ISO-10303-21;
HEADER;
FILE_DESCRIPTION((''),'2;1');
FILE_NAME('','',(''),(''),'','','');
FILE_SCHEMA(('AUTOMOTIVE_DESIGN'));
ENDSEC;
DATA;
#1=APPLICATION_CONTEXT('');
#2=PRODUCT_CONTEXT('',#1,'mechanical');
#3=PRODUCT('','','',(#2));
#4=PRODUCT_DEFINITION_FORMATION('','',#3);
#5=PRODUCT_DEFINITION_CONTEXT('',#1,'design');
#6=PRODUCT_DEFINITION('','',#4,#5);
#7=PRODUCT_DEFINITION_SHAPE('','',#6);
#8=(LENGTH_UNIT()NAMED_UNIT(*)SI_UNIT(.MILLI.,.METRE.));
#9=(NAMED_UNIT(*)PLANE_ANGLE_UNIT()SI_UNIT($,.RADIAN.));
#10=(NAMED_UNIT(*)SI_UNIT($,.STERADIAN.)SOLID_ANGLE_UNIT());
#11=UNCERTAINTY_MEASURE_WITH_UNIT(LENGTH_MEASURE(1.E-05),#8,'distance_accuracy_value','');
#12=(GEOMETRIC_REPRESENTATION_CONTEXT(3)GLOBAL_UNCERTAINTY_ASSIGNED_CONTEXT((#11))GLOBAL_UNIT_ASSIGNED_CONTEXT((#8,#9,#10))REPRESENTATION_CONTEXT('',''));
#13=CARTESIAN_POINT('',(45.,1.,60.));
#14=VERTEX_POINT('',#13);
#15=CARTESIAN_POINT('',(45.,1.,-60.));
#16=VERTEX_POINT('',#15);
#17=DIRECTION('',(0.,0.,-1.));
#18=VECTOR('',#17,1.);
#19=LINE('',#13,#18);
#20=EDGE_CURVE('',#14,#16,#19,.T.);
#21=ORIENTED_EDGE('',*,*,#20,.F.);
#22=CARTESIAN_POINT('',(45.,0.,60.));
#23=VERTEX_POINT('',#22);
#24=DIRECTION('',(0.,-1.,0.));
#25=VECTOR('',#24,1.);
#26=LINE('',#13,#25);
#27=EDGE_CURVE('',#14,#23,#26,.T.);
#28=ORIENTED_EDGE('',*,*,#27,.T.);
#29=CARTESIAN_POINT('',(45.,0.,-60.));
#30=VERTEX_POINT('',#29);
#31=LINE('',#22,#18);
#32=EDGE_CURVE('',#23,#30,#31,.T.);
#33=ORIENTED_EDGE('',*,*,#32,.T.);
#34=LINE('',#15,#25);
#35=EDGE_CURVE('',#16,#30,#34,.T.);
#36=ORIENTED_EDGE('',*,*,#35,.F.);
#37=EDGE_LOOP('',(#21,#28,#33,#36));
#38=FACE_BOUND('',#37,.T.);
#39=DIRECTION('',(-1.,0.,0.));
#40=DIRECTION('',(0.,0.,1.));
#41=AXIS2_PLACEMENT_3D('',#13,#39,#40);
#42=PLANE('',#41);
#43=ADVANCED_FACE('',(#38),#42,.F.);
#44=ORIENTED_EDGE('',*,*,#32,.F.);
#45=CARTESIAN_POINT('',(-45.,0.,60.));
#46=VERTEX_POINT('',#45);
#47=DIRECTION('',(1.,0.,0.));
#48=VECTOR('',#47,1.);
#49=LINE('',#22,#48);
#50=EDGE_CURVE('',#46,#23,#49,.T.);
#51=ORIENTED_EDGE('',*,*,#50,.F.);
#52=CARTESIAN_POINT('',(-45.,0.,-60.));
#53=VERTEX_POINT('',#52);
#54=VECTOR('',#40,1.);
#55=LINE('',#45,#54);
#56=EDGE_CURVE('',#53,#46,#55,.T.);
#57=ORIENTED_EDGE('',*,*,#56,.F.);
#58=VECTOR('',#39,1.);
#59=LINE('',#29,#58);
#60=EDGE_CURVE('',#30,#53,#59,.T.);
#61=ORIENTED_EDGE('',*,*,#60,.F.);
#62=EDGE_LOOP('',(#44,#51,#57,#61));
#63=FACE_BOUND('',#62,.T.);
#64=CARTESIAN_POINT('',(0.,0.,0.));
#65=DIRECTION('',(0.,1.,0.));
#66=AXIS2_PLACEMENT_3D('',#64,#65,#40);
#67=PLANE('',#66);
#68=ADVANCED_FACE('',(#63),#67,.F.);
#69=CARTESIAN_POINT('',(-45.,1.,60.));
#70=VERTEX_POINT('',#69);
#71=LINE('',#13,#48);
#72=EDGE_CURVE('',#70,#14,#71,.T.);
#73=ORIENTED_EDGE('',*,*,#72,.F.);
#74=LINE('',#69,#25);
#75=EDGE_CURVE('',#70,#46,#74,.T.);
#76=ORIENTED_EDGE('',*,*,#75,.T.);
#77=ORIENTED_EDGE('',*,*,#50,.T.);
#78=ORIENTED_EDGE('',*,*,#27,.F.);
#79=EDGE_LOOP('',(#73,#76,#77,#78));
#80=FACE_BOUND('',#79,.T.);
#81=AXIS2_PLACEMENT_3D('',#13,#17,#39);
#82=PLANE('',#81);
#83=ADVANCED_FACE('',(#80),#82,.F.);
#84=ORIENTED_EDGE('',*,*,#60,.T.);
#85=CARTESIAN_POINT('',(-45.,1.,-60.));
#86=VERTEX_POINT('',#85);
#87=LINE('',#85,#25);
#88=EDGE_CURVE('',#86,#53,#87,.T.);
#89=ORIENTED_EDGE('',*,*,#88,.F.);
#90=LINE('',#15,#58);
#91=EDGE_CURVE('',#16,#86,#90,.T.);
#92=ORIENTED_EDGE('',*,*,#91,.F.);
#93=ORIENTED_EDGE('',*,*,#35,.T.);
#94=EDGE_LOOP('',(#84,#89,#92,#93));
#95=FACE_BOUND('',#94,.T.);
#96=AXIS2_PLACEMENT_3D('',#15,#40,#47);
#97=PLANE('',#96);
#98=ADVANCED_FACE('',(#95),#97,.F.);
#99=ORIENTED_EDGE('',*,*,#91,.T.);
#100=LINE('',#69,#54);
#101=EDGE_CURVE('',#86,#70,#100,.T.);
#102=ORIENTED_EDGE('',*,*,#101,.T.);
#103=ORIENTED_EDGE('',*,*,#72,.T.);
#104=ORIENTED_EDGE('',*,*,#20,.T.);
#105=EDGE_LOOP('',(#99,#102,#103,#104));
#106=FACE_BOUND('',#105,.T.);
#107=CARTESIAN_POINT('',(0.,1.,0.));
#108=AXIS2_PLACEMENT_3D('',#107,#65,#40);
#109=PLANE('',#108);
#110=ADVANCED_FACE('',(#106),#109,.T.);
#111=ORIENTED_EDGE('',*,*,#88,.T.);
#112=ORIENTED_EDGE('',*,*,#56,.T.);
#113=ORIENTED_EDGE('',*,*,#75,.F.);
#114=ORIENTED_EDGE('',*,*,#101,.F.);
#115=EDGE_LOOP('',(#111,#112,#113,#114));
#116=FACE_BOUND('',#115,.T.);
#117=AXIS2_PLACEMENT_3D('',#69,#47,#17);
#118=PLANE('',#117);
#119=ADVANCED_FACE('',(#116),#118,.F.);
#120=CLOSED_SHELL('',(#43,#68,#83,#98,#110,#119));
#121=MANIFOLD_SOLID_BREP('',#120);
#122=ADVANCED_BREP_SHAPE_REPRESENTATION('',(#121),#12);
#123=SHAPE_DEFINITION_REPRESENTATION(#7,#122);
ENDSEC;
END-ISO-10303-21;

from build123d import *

# Parameters (mm, degrees)
SKETCH1_W           = 90
SKETCH1_H           = 120
BOSS_EXTRUDE1_DEPTH = 1


with BuildPart() as part:
    # Sketch1 → Boss-Extrude1 (new body)
    with BuildSketch(Plane(origin=(0, 0, 0), x_dir=(1, 0, 0), z_dir=(0, 1, 0))):
        Rectangle(SKETCH1_W, SKETCH1_H)
    extrude(amount=BOSS_EXTRUDE1_DEPTH)


solid = part.part
